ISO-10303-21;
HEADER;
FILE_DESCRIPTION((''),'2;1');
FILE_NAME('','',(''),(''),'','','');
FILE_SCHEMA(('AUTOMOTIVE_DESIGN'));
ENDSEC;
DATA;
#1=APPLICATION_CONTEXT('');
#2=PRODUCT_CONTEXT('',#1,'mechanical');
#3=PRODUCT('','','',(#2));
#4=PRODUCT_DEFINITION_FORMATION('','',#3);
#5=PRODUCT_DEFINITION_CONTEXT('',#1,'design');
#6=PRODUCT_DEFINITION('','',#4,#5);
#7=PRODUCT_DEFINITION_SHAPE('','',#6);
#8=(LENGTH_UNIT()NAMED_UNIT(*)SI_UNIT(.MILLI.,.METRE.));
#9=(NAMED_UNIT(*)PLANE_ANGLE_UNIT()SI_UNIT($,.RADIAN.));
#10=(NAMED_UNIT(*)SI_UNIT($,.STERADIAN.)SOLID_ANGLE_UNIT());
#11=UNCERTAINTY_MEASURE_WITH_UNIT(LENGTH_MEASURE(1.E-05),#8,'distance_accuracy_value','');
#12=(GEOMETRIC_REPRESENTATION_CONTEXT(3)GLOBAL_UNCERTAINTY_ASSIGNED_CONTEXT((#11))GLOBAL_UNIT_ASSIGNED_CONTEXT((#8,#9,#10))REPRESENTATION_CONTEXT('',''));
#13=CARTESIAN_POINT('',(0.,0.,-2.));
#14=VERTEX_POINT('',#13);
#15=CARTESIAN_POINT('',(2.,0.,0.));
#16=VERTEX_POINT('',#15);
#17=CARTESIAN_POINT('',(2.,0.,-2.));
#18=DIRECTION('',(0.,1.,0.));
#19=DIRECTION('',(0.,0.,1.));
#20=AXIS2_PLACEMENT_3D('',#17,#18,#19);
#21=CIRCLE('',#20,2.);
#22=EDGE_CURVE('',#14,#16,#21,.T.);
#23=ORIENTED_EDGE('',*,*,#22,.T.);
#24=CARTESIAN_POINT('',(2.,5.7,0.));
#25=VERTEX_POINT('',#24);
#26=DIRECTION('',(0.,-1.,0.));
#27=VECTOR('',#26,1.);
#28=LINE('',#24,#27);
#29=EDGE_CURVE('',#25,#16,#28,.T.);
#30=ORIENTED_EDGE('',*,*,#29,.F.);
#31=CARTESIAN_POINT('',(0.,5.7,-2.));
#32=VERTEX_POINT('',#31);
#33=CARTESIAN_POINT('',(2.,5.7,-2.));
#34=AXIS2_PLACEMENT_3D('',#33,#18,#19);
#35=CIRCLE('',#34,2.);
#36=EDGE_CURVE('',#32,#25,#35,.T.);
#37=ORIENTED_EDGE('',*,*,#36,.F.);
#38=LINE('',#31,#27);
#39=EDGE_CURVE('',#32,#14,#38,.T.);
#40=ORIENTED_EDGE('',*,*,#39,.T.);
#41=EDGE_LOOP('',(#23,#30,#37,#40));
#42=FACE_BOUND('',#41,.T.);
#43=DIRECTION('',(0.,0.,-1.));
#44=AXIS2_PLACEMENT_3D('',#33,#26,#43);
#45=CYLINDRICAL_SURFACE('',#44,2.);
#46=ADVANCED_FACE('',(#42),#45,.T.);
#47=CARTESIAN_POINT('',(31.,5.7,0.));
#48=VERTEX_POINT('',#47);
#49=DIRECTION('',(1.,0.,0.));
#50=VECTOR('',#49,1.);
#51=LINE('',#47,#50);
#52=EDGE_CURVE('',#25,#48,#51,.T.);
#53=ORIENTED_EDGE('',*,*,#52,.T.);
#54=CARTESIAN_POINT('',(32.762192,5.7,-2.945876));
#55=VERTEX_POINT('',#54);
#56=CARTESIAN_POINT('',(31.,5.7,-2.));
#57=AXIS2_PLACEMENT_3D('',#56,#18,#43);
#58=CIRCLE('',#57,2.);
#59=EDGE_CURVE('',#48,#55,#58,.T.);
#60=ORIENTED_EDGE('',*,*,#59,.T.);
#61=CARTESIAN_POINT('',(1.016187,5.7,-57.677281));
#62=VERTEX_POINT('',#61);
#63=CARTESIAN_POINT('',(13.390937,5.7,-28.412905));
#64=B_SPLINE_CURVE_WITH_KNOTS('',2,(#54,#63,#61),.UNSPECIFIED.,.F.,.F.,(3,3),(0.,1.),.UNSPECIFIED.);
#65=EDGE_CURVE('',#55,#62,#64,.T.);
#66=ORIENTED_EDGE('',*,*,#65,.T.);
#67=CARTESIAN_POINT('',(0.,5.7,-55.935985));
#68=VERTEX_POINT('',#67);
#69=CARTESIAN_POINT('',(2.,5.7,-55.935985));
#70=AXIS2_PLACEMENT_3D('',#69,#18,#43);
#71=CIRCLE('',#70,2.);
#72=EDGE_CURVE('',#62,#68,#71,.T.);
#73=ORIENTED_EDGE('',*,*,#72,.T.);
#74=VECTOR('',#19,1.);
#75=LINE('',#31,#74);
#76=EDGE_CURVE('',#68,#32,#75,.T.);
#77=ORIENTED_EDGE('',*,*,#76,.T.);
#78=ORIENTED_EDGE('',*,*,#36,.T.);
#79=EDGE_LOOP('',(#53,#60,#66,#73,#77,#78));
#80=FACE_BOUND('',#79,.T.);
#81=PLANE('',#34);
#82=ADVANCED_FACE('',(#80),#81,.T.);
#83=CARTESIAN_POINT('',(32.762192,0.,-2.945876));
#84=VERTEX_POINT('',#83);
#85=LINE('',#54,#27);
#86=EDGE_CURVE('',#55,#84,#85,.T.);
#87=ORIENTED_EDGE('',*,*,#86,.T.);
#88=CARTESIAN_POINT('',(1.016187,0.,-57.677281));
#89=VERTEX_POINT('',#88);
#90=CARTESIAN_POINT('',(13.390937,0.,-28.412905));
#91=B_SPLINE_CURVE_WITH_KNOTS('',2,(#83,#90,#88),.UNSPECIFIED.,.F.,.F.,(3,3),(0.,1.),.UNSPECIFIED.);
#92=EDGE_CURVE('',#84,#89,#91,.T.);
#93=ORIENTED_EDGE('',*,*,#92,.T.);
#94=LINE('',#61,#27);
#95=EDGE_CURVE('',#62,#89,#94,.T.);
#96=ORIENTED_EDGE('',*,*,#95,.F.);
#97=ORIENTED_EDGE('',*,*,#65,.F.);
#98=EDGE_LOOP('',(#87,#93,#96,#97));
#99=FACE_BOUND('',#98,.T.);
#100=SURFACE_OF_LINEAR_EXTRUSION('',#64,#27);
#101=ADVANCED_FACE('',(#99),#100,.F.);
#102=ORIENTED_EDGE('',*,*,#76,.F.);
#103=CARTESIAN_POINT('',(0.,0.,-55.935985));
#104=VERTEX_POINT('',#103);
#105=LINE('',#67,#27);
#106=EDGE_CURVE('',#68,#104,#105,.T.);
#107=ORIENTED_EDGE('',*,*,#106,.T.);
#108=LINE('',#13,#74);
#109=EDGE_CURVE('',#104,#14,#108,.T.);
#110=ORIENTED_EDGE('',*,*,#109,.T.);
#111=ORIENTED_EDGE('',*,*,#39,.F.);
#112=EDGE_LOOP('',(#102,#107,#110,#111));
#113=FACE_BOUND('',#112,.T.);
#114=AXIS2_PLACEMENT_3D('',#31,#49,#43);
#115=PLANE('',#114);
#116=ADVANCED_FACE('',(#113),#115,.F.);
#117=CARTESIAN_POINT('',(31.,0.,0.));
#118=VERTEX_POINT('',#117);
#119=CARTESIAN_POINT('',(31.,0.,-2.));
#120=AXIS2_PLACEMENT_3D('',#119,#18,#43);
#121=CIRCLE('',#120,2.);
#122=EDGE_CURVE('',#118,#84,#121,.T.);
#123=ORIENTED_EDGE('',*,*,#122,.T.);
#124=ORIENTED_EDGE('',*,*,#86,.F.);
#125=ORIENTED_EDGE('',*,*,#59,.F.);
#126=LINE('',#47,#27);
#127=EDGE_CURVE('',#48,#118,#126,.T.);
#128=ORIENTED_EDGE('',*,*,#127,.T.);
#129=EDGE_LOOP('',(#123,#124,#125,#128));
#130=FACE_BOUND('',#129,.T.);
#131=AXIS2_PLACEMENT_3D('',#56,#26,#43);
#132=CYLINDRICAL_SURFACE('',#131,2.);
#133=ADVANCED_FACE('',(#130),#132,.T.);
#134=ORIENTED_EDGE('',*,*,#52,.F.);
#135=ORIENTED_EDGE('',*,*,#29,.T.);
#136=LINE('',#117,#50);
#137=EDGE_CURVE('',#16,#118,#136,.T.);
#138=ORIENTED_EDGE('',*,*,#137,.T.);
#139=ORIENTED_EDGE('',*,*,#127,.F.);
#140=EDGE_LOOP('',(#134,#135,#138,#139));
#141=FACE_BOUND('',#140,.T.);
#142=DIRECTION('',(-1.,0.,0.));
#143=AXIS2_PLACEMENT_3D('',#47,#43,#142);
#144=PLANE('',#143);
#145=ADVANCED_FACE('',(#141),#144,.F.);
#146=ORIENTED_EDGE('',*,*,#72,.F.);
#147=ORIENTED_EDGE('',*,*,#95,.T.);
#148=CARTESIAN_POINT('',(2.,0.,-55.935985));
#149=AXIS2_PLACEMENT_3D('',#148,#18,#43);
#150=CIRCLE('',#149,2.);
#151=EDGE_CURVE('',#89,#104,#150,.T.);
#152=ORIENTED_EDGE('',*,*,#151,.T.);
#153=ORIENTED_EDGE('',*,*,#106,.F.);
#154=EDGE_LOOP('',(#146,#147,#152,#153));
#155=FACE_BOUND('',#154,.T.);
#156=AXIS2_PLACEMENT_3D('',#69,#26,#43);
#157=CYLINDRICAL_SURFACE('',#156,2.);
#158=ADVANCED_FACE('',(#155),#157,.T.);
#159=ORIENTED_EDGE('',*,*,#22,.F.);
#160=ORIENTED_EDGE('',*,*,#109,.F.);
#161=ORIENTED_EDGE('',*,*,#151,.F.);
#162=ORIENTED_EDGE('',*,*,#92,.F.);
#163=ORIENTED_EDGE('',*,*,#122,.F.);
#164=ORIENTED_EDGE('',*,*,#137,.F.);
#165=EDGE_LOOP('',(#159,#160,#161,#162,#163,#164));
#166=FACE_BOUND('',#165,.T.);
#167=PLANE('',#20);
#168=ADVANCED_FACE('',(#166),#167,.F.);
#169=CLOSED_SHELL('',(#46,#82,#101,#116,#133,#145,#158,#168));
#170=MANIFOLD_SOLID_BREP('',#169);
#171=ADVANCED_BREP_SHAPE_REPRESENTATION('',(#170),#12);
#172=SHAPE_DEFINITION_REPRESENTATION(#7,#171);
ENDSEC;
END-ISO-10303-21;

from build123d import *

# Parameters (mm, degrees)
BOSS_EXTRUDE1_DEPTH = 5.7


with BuildPart() as part:
    # Sketch1 → Boss-Extrude1 (new body)
    with BuildSketch(Plane(origin=(0, 0, 0), x_dir=(1, 0, 0), z_dir=(0, 1, 0))):
        with BuildLine():
            Line((0, 2), (0, 55.935985031))
            ThreePointArc((0, 55.935985031), (0.272628254, 56.944045968), (1.016186852, 57.677281011))
            add(Edge.make_bspline(
                [(1.016186852, 57.677281011), (13.390937023, 28.412904977), (32.762191576, 2.945875706)],
                knots=[0, 0, 0, 1, 1, 1], degree=2))
            ThreePointArc((32.762191576, 2.945875706), (32.716355355, 0.973294446), (31, 0))
            Line((31, 0), (2, 0))
            ThreePointArc((2, 0), (0.585786438, 0.585786438), (0, 2))
        make_face()
    extrude(amount=BOSS_EXTRUDE1_DEPTH)


solid = part.part
